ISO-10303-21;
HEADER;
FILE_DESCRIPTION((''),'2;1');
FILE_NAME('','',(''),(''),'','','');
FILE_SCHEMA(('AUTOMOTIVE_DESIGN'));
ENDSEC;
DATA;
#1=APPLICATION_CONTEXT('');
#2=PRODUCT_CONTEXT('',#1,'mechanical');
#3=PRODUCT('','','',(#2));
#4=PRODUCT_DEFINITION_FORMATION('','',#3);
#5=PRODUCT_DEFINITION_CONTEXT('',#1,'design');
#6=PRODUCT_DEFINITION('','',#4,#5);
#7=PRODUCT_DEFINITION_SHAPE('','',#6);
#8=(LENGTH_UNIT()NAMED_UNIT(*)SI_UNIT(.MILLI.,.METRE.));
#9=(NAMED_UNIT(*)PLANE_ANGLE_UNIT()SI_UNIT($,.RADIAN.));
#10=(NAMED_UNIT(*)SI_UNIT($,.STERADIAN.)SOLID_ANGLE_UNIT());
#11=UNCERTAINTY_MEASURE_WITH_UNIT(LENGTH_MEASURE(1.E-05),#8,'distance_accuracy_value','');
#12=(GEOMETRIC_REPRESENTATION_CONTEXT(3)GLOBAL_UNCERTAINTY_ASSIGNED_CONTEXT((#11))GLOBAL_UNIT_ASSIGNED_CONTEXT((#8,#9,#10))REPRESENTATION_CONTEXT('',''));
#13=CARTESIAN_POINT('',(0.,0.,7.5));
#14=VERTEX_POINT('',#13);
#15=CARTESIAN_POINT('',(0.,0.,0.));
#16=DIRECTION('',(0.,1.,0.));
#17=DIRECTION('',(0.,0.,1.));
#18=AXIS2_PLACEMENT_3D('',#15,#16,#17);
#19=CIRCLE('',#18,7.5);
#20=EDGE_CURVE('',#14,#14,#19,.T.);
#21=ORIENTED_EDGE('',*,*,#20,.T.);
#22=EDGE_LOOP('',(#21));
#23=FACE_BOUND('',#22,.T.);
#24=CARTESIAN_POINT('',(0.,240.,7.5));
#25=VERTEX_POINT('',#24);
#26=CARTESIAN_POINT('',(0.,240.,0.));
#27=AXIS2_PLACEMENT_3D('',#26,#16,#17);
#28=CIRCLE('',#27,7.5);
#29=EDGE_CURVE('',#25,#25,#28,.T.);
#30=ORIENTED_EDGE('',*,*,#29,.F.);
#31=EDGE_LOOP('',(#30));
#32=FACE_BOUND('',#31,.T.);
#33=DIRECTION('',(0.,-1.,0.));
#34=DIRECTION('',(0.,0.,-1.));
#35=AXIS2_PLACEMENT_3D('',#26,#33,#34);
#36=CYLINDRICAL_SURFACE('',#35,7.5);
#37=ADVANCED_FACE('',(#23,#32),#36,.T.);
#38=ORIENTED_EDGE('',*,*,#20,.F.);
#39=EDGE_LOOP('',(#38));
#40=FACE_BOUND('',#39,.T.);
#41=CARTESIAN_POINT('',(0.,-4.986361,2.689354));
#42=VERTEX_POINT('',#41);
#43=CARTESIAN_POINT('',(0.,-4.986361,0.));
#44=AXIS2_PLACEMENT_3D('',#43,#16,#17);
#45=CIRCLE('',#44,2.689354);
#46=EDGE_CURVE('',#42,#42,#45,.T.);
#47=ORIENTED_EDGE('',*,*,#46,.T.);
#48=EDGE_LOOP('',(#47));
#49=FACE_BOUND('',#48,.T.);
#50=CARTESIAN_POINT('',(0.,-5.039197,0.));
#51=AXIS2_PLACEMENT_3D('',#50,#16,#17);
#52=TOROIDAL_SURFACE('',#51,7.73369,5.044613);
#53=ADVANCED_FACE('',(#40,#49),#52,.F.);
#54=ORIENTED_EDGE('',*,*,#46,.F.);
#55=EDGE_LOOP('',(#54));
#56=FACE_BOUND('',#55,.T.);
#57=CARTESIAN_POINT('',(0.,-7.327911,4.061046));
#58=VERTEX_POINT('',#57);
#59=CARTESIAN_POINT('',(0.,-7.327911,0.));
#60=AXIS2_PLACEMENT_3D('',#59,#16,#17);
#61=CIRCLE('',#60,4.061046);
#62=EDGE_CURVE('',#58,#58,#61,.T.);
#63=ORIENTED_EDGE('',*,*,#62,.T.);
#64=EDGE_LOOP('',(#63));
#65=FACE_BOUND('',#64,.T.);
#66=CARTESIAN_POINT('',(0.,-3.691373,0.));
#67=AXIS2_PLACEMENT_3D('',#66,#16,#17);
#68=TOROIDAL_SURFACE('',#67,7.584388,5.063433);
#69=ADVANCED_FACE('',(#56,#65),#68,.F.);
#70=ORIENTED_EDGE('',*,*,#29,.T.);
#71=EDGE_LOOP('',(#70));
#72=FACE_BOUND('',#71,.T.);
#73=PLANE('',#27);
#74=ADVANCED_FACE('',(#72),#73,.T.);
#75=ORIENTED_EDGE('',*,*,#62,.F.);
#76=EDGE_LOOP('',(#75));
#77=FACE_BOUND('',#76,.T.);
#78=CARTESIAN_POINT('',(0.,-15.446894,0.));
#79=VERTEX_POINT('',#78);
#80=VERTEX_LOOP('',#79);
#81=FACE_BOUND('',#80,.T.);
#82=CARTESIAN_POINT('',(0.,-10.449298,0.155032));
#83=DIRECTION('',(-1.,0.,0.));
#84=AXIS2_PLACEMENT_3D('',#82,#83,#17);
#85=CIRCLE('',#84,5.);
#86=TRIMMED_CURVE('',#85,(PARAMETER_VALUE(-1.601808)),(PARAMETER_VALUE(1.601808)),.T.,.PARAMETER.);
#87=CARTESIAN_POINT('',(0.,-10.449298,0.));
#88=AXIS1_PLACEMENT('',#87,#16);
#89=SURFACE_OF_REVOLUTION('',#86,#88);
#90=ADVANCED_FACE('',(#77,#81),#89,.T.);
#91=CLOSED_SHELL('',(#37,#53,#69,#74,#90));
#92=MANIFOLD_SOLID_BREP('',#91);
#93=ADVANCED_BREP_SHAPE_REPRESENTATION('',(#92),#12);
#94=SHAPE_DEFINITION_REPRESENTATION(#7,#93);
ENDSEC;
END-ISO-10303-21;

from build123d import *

# Parameters (mm, degrees)
SKETCH_4_R      = 7.5
EXTRUDE_1_DEPTH = 240


with BuildPart() as part:
    # Эскиз3 → Повернуть1 (revolve)
    with BuildSketch(Plane(origin=(0, 0, 0), x_dir=(0, 0, -1), z_dir=(1, 0, 0))):
        with BuildLine():
            Line((-7.5, 0), (0, 0))
            Line((0, 0), (0, -15.446893791))
            ThreePointArc((0, -15.446893791), (-4.626825218, -12.686050609), (-4.06104556, -7.327911002))
            ThreePointArc((-4.06104556, -7.327911002), (-3.215408683, -6.250742146), (-2.689353951, -4.986360522))
            ThreePointArc((-2.689353951, -4.986360522), (-4.103216638, -1.536658017), (-7.5, 0))
        make_face()
    revolve(axis=Axis((0, 11.108011972, 0), (0, -1, 0)))

    # Эскиз4 → Бобышка-Вытянуть1 (add)
    with BuildSketch(Plane(origin=(0, 0, 0), x_dir=(1, 0, 0), z_dir=(0, 1, 0))):
        Circle(SKETCH_4_R)
    extrude(amount=EXTRUDE_1_DEPTH)


solid = part.part
